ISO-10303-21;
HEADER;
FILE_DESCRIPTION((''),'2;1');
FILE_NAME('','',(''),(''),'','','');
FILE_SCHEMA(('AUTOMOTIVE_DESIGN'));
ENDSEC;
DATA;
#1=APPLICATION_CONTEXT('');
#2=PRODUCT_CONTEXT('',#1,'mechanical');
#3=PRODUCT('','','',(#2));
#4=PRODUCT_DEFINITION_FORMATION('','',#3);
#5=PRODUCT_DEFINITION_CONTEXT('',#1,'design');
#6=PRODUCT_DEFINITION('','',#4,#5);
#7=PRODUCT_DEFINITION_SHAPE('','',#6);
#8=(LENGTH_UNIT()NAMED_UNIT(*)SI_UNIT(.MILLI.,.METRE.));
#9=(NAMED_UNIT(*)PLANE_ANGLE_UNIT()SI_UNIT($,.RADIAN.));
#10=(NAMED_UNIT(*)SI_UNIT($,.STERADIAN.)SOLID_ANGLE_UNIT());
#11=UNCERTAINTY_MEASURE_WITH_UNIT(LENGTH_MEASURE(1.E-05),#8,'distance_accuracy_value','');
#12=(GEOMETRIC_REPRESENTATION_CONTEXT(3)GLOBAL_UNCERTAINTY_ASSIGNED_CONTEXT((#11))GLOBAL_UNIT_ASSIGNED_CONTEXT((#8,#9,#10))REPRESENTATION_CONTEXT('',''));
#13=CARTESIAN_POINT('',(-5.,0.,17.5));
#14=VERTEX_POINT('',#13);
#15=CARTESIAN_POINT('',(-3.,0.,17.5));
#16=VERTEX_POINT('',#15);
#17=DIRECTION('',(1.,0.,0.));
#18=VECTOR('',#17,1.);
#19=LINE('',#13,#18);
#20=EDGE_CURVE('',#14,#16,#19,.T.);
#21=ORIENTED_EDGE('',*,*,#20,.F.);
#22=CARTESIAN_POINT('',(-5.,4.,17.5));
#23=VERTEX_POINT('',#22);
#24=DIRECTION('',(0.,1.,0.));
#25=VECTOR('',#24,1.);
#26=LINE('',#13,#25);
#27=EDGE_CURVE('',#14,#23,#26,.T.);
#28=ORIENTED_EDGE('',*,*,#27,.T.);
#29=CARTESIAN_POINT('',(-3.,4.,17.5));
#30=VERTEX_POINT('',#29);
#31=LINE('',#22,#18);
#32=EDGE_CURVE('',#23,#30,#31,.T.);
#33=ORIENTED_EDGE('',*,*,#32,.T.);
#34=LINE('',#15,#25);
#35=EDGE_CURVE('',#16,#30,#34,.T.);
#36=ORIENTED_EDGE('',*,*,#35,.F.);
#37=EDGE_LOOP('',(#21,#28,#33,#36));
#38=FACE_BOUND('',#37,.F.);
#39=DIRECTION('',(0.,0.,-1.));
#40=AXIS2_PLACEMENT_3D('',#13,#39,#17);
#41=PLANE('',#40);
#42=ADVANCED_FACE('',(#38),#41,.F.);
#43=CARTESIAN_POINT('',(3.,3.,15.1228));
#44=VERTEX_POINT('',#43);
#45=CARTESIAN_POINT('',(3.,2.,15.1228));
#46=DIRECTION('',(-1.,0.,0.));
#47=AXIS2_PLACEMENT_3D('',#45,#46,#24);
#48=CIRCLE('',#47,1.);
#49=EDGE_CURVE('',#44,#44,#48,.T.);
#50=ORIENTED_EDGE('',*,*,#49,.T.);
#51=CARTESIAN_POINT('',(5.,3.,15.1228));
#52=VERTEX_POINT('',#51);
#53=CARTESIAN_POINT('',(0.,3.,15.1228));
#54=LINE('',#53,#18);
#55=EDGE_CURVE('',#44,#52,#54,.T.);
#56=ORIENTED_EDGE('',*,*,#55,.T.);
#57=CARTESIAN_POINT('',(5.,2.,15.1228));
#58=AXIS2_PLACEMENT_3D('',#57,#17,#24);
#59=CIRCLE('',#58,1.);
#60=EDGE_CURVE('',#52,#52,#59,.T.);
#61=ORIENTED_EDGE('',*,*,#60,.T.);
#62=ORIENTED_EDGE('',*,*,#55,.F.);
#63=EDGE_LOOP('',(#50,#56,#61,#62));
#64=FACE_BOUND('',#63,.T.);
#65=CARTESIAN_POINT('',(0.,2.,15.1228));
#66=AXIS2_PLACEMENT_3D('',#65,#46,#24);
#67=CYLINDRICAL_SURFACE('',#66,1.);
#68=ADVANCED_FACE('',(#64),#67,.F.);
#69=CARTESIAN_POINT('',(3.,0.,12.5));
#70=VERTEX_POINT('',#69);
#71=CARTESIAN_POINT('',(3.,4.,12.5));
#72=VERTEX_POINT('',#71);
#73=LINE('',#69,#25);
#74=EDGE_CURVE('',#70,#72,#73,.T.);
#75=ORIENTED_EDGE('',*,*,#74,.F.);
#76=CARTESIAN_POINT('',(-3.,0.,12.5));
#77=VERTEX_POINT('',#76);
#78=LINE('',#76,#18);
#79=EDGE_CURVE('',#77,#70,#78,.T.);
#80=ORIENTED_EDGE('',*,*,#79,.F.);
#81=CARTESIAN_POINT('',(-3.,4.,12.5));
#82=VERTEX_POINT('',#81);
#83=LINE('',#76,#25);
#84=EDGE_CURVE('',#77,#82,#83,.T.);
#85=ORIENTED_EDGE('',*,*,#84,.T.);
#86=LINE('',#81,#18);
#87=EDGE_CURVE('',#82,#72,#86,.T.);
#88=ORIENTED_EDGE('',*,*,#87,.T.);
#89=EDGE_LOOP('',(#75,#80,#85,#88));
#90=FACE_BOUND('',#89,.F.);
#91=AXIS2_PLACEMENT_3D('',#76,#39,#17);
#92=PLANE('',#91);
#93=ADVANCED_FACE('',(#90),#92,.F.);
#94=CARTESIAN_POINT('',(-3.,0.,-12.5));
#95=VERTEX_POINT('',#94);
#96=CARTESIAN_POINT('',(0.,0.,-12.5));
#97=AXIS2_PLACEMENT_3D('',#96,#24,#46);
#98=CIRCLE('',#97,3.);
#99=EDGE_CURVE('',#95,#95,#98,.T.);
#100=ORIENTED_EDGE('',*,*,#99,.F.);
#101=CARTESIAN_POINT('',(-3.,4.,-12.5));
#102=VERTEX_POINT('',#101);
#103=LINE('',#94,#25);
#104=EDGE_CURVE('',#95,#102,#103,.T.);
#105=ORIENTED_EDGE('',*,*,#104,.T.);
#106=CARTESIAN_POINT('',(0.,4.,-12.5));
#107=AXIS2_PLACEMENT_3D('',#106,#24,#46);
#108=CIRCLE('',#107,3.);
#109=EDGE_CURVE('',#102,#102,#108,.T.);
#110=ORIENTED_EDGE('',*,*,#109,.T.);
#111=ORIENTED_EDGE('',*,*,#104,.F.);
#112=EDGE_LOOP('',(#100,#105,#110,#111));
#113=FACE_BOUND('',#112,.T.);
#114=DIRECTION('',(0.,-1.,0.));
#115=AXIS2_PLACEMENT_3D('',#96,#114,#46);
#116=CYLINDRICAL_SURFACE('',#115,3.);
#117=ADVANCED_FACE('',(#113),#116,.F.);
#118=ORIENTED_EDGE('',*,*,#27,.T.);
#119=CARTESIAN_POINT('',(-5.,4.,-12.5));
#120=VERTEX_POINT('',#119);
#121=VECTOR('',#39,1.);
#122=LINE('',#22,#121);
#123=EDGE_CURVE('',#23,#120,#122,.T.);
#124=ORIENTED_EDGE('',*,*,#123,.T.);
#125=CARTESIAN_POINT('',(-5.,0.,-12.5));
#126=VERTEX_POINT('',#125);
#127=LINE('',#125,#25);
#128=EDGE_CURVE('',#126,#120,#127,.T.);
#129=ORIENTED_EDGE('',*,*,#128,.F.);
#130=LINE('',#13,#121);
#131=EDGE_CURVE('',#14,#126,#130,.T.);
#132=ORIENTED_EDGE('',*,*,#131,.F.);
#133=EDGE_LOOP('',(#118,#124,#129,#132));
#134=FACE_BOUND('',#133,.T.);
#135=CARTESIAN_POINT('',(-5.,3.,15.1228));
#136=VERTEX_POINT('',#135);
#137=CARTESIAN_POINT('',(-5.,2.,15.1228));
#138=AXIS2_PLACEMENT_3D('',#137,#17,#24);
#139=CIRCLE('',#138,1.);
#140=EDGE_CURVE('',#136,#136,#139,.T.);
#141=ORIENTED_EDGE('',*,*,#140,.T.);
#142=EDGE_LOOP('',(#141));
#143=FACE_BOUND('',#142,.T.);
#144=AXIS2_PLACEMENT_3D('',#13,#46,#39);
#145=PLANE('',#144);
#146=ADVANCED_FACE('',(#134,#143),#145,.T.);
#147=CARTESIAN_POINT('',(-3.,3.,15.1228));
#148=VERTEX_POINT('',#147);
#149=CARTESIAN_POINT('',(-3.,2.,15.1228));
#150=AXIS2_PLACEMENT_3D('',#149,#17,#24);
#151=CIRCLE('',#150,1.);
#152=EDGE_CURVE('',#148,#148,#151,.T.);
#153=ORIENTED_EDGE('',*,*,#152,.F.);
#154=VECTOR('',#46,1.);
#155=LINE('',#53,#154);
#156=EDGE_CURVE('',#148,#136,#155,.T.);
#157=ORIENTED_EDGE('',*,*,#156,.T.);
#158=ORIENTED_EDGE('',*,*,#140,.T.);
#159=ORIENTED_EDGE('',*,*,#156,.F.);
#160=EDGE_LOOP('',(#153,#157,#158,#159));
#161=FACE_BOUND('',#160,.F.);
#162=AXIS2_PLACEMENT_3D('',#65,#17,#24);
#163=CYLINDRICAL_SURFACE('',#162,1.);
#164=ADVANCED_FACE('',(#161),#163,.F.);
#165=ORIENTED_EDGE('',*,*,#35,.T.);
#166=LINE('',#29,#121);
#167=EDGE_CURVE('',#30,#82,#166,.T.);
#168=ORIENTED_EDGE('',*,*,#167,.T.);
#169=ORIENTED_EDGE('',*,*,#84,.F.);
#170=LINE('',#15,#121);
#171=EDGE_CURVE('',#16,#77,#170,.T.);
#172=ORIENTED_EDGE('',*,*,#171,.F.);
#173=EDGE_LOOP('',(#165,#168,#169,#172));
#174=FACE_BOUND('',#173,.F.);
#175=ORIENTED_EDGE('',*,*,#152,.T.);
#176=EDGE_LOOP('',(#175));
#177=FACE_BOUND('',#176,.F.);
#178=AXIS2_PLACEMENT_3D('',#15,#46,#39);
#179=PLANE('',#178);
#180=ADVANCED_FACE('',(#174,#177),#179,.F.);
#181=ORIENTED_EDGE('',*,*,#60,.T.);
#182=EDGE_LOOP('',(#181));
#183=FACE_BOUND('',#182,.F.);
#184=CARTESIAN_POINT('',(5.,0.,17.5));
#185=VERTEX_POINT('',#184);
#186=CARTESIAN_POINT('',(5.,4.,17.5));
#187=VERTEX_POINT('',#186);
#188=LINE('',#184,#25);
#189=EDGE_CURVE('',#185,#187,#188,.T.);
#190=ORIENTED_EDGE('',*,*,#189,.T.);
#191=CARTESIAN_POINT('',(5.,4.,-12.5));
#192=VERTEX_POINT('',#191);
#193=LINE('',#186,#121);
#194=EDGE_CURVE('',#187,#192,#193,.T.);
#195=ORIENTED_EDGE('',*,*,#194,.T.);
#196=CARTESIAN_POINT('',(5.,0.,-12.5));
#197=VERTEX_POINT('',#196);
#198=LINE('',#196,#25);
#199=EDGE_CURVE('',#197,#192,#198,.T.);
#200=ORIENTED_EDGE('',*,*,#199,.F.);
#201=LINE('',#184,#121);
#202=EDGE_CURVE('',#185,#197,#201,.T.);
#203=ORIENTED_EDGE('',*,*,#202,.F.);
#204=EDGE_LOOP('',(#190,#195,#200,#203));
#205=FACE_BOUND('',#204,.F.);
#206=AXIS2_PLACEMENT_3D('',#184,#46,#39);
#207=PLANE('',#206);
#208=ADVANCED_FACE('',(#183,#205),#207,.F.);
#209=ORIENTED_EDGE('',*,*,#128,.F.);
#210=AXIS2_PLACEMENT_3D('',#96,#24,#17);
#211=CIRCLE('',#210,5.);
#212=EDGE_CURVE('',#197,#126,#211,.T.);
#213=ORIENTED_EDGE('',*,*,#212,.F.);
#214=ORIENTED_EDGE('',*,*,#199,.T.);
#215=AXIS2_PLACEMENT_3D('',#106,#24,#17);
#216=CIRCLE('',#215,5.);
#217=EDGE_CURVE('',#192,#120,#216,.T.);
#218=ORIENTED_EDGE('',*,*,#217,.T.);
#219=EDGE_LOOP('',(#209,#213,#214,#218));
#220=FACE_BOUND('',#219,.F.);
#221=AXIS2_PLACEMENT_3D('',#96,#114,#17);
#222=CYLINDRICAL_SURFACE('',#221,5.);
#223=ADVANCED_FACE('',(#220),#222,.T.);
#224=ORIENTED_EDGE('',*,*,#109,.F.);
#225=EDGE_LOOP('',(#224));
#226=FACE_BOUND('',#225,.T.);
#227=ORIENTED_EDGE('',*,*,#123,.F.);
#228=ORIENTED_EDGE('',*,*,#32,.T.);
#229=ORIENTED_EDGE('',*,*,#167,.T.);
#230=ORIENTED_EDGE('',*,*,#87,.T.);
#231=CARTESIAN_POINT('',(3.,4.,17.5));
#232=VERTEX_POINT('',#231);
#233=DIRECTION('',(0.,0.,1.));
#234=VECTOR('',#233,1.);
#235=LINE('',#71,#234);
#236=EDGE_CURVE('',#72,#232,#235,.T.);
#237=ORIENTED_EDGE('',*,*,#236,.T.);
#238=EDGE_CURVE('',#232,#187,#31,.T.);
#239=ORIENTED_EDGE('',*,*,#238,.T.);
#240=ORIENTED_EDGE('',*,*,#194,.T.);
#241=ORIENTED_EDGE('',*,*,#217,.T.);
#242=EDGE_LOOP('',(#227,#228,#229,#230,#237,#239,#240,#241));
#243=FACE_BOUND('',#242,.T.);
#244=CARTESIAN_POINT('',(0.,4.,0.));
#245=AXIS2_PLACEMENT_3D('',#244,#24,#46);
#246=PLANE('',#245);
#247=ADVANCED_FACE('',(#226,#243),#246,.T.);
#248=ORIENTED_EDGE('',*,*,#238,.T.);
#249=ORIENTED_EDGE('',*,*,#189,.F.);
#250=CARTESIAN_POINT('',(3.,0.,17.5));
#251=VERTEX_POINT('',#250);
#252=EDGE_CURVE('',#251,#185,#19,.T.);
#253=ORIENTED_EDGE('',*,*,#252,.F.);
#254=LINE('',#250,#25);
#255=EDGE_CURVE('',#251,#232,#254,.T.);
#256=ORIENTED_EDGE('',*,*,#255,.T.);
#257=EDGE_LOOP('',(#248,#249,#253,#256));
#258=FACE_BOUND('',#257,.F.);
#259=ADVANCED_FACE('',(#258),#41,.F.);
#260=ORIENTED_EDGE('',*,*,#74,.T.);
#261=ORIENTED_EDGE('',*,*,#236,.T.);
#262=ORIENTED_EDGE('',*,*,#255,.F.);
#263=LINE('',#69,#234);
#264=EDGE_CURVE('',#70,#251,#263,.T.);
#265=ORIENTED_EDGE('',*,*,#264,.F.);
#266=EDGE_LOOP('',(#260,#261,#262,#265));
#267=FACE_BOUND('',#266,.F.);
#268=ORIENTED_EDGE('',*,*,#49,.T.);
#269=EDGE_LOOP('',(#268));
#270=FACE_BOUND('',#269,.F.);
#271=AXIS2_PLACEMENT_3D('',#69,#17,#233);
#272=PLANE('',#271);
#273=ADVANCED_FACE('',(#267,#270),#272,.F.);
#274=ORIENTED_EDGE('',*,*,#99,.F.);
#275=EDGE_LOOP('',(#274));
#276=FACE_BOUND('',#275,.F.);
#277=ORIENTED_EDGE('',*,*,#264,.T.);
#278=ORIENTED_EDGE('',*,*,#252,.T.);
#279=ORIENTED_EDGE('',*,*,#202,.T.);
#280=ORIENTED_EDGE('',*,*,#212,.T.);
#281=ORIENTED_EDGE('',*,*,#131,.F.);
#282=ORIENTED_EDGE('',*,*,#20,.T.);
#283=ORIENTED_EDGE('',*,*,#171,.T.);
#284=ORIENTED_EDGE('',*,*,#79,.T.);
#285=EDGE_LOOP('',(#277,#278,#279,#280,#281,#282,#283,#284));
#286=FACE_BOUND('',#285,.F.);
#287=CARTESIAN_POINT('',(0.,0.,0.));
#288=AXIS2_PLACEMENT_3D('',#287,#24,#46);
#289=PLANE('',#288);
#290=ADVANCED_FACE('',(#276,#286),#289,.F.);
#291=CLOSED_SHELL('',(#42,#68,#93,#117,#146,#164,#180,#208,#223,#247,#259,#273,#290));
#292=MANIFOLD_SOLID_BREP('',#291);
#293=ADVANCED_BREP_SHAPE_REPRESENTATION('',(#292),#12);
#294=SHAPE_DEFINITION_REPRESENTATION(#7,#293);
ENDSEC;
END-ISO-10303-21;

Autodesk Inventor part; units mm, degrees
ref_plane "YZ Plane" through (0, 0, 0) normal (1, 0, 0) x (0, 1, 0)
ref_plane "XZ Plane" through (0, 0, 0) normal (0, 1, 0) x (-1, 0, 0)
ref_plane "XY Plane" through (0, 0, 0) normal (0, 0, 1) x (1, 0, 0)
sketch "スケッチ1" plane through (0, 0, 0) normal (0, 1, 0) x (-1, 0, 0)
  line L0 (-5, 17.5) -> (5, -17.5) construction
  line L1 (5, 17.5) -> (-5, -17.5) construction
  arc A0 (-5, -12.5) -> (5, -12.5) centre (0, -12.5) ccw
  line L2 (5, 17.5) -> (-5, 17.5)
  line L3 (5, 17.5) -> (5, -12.5)
  line L4 (-5, 17.5) -> (-5, -12.5)
  point P0 (0, 0)
  dimension "d0" = 10
  dimension "d1" = 35
extrude "押し出し1" add sketch "スケッチ1" along normal blind 4
sketch "スケッチ2" plane through (0, 0, 0) normal (0, 1, 0) x (-1, 0, 0)
  arc A0 (-5, -12.5) -> (5, -12.5) centre (0, -12.5) ccw projected
  circle A1 centre (0, -12.5) radius 3
  point P0 (0, 0)
  dimension "d7" = 6
extrude "押し出し2" cut sketch "スケッチ2" along normal blind 4
sketch "スケッチ3" plane through (0, 0, 0) normal (0, 1, 0) x (-1, 0, 0)
  line L0 (-5, 17.5) -> (5, 17.5) projected
  line L1 (3, 17.5) -> (3, 12.5)
  line L2 (3, 17.5) -> (8, 17.5) construction
  line L3 (3, 12.5) -> (-3, 12.5)
  line L4 (3, 12.5) -> (9, 12.5) construction
  line L5 (-3, 12.5) -> (-3, 17.5)
  line L6 (-3, 17.5) -> (3, 17.5)
  point P0 (0, 0)
  dimension "d10" = 5
  dimension "d11" = 270
  dimension "d12" = 6
  dimension "d13" = 180
extrude "押し出し3" cut sketch "スケッチ3" along normal blind 4
sketch "スケッチ4" plane through (0, 0, 0) normal (1, 0, 0) x (0, 1, 0)
  circle A0 centre (2, 15.1228) radius 1
  line L0 (0, -12.5) -> (0, 17.5) projected
  point P0 (0, 0)
  dimension "d16" = 2
  dimension "d18" = 2
extrude "押し出し4" cut sketch "スケッチ4" along normal mid plane 10
properties part number "promo2"
